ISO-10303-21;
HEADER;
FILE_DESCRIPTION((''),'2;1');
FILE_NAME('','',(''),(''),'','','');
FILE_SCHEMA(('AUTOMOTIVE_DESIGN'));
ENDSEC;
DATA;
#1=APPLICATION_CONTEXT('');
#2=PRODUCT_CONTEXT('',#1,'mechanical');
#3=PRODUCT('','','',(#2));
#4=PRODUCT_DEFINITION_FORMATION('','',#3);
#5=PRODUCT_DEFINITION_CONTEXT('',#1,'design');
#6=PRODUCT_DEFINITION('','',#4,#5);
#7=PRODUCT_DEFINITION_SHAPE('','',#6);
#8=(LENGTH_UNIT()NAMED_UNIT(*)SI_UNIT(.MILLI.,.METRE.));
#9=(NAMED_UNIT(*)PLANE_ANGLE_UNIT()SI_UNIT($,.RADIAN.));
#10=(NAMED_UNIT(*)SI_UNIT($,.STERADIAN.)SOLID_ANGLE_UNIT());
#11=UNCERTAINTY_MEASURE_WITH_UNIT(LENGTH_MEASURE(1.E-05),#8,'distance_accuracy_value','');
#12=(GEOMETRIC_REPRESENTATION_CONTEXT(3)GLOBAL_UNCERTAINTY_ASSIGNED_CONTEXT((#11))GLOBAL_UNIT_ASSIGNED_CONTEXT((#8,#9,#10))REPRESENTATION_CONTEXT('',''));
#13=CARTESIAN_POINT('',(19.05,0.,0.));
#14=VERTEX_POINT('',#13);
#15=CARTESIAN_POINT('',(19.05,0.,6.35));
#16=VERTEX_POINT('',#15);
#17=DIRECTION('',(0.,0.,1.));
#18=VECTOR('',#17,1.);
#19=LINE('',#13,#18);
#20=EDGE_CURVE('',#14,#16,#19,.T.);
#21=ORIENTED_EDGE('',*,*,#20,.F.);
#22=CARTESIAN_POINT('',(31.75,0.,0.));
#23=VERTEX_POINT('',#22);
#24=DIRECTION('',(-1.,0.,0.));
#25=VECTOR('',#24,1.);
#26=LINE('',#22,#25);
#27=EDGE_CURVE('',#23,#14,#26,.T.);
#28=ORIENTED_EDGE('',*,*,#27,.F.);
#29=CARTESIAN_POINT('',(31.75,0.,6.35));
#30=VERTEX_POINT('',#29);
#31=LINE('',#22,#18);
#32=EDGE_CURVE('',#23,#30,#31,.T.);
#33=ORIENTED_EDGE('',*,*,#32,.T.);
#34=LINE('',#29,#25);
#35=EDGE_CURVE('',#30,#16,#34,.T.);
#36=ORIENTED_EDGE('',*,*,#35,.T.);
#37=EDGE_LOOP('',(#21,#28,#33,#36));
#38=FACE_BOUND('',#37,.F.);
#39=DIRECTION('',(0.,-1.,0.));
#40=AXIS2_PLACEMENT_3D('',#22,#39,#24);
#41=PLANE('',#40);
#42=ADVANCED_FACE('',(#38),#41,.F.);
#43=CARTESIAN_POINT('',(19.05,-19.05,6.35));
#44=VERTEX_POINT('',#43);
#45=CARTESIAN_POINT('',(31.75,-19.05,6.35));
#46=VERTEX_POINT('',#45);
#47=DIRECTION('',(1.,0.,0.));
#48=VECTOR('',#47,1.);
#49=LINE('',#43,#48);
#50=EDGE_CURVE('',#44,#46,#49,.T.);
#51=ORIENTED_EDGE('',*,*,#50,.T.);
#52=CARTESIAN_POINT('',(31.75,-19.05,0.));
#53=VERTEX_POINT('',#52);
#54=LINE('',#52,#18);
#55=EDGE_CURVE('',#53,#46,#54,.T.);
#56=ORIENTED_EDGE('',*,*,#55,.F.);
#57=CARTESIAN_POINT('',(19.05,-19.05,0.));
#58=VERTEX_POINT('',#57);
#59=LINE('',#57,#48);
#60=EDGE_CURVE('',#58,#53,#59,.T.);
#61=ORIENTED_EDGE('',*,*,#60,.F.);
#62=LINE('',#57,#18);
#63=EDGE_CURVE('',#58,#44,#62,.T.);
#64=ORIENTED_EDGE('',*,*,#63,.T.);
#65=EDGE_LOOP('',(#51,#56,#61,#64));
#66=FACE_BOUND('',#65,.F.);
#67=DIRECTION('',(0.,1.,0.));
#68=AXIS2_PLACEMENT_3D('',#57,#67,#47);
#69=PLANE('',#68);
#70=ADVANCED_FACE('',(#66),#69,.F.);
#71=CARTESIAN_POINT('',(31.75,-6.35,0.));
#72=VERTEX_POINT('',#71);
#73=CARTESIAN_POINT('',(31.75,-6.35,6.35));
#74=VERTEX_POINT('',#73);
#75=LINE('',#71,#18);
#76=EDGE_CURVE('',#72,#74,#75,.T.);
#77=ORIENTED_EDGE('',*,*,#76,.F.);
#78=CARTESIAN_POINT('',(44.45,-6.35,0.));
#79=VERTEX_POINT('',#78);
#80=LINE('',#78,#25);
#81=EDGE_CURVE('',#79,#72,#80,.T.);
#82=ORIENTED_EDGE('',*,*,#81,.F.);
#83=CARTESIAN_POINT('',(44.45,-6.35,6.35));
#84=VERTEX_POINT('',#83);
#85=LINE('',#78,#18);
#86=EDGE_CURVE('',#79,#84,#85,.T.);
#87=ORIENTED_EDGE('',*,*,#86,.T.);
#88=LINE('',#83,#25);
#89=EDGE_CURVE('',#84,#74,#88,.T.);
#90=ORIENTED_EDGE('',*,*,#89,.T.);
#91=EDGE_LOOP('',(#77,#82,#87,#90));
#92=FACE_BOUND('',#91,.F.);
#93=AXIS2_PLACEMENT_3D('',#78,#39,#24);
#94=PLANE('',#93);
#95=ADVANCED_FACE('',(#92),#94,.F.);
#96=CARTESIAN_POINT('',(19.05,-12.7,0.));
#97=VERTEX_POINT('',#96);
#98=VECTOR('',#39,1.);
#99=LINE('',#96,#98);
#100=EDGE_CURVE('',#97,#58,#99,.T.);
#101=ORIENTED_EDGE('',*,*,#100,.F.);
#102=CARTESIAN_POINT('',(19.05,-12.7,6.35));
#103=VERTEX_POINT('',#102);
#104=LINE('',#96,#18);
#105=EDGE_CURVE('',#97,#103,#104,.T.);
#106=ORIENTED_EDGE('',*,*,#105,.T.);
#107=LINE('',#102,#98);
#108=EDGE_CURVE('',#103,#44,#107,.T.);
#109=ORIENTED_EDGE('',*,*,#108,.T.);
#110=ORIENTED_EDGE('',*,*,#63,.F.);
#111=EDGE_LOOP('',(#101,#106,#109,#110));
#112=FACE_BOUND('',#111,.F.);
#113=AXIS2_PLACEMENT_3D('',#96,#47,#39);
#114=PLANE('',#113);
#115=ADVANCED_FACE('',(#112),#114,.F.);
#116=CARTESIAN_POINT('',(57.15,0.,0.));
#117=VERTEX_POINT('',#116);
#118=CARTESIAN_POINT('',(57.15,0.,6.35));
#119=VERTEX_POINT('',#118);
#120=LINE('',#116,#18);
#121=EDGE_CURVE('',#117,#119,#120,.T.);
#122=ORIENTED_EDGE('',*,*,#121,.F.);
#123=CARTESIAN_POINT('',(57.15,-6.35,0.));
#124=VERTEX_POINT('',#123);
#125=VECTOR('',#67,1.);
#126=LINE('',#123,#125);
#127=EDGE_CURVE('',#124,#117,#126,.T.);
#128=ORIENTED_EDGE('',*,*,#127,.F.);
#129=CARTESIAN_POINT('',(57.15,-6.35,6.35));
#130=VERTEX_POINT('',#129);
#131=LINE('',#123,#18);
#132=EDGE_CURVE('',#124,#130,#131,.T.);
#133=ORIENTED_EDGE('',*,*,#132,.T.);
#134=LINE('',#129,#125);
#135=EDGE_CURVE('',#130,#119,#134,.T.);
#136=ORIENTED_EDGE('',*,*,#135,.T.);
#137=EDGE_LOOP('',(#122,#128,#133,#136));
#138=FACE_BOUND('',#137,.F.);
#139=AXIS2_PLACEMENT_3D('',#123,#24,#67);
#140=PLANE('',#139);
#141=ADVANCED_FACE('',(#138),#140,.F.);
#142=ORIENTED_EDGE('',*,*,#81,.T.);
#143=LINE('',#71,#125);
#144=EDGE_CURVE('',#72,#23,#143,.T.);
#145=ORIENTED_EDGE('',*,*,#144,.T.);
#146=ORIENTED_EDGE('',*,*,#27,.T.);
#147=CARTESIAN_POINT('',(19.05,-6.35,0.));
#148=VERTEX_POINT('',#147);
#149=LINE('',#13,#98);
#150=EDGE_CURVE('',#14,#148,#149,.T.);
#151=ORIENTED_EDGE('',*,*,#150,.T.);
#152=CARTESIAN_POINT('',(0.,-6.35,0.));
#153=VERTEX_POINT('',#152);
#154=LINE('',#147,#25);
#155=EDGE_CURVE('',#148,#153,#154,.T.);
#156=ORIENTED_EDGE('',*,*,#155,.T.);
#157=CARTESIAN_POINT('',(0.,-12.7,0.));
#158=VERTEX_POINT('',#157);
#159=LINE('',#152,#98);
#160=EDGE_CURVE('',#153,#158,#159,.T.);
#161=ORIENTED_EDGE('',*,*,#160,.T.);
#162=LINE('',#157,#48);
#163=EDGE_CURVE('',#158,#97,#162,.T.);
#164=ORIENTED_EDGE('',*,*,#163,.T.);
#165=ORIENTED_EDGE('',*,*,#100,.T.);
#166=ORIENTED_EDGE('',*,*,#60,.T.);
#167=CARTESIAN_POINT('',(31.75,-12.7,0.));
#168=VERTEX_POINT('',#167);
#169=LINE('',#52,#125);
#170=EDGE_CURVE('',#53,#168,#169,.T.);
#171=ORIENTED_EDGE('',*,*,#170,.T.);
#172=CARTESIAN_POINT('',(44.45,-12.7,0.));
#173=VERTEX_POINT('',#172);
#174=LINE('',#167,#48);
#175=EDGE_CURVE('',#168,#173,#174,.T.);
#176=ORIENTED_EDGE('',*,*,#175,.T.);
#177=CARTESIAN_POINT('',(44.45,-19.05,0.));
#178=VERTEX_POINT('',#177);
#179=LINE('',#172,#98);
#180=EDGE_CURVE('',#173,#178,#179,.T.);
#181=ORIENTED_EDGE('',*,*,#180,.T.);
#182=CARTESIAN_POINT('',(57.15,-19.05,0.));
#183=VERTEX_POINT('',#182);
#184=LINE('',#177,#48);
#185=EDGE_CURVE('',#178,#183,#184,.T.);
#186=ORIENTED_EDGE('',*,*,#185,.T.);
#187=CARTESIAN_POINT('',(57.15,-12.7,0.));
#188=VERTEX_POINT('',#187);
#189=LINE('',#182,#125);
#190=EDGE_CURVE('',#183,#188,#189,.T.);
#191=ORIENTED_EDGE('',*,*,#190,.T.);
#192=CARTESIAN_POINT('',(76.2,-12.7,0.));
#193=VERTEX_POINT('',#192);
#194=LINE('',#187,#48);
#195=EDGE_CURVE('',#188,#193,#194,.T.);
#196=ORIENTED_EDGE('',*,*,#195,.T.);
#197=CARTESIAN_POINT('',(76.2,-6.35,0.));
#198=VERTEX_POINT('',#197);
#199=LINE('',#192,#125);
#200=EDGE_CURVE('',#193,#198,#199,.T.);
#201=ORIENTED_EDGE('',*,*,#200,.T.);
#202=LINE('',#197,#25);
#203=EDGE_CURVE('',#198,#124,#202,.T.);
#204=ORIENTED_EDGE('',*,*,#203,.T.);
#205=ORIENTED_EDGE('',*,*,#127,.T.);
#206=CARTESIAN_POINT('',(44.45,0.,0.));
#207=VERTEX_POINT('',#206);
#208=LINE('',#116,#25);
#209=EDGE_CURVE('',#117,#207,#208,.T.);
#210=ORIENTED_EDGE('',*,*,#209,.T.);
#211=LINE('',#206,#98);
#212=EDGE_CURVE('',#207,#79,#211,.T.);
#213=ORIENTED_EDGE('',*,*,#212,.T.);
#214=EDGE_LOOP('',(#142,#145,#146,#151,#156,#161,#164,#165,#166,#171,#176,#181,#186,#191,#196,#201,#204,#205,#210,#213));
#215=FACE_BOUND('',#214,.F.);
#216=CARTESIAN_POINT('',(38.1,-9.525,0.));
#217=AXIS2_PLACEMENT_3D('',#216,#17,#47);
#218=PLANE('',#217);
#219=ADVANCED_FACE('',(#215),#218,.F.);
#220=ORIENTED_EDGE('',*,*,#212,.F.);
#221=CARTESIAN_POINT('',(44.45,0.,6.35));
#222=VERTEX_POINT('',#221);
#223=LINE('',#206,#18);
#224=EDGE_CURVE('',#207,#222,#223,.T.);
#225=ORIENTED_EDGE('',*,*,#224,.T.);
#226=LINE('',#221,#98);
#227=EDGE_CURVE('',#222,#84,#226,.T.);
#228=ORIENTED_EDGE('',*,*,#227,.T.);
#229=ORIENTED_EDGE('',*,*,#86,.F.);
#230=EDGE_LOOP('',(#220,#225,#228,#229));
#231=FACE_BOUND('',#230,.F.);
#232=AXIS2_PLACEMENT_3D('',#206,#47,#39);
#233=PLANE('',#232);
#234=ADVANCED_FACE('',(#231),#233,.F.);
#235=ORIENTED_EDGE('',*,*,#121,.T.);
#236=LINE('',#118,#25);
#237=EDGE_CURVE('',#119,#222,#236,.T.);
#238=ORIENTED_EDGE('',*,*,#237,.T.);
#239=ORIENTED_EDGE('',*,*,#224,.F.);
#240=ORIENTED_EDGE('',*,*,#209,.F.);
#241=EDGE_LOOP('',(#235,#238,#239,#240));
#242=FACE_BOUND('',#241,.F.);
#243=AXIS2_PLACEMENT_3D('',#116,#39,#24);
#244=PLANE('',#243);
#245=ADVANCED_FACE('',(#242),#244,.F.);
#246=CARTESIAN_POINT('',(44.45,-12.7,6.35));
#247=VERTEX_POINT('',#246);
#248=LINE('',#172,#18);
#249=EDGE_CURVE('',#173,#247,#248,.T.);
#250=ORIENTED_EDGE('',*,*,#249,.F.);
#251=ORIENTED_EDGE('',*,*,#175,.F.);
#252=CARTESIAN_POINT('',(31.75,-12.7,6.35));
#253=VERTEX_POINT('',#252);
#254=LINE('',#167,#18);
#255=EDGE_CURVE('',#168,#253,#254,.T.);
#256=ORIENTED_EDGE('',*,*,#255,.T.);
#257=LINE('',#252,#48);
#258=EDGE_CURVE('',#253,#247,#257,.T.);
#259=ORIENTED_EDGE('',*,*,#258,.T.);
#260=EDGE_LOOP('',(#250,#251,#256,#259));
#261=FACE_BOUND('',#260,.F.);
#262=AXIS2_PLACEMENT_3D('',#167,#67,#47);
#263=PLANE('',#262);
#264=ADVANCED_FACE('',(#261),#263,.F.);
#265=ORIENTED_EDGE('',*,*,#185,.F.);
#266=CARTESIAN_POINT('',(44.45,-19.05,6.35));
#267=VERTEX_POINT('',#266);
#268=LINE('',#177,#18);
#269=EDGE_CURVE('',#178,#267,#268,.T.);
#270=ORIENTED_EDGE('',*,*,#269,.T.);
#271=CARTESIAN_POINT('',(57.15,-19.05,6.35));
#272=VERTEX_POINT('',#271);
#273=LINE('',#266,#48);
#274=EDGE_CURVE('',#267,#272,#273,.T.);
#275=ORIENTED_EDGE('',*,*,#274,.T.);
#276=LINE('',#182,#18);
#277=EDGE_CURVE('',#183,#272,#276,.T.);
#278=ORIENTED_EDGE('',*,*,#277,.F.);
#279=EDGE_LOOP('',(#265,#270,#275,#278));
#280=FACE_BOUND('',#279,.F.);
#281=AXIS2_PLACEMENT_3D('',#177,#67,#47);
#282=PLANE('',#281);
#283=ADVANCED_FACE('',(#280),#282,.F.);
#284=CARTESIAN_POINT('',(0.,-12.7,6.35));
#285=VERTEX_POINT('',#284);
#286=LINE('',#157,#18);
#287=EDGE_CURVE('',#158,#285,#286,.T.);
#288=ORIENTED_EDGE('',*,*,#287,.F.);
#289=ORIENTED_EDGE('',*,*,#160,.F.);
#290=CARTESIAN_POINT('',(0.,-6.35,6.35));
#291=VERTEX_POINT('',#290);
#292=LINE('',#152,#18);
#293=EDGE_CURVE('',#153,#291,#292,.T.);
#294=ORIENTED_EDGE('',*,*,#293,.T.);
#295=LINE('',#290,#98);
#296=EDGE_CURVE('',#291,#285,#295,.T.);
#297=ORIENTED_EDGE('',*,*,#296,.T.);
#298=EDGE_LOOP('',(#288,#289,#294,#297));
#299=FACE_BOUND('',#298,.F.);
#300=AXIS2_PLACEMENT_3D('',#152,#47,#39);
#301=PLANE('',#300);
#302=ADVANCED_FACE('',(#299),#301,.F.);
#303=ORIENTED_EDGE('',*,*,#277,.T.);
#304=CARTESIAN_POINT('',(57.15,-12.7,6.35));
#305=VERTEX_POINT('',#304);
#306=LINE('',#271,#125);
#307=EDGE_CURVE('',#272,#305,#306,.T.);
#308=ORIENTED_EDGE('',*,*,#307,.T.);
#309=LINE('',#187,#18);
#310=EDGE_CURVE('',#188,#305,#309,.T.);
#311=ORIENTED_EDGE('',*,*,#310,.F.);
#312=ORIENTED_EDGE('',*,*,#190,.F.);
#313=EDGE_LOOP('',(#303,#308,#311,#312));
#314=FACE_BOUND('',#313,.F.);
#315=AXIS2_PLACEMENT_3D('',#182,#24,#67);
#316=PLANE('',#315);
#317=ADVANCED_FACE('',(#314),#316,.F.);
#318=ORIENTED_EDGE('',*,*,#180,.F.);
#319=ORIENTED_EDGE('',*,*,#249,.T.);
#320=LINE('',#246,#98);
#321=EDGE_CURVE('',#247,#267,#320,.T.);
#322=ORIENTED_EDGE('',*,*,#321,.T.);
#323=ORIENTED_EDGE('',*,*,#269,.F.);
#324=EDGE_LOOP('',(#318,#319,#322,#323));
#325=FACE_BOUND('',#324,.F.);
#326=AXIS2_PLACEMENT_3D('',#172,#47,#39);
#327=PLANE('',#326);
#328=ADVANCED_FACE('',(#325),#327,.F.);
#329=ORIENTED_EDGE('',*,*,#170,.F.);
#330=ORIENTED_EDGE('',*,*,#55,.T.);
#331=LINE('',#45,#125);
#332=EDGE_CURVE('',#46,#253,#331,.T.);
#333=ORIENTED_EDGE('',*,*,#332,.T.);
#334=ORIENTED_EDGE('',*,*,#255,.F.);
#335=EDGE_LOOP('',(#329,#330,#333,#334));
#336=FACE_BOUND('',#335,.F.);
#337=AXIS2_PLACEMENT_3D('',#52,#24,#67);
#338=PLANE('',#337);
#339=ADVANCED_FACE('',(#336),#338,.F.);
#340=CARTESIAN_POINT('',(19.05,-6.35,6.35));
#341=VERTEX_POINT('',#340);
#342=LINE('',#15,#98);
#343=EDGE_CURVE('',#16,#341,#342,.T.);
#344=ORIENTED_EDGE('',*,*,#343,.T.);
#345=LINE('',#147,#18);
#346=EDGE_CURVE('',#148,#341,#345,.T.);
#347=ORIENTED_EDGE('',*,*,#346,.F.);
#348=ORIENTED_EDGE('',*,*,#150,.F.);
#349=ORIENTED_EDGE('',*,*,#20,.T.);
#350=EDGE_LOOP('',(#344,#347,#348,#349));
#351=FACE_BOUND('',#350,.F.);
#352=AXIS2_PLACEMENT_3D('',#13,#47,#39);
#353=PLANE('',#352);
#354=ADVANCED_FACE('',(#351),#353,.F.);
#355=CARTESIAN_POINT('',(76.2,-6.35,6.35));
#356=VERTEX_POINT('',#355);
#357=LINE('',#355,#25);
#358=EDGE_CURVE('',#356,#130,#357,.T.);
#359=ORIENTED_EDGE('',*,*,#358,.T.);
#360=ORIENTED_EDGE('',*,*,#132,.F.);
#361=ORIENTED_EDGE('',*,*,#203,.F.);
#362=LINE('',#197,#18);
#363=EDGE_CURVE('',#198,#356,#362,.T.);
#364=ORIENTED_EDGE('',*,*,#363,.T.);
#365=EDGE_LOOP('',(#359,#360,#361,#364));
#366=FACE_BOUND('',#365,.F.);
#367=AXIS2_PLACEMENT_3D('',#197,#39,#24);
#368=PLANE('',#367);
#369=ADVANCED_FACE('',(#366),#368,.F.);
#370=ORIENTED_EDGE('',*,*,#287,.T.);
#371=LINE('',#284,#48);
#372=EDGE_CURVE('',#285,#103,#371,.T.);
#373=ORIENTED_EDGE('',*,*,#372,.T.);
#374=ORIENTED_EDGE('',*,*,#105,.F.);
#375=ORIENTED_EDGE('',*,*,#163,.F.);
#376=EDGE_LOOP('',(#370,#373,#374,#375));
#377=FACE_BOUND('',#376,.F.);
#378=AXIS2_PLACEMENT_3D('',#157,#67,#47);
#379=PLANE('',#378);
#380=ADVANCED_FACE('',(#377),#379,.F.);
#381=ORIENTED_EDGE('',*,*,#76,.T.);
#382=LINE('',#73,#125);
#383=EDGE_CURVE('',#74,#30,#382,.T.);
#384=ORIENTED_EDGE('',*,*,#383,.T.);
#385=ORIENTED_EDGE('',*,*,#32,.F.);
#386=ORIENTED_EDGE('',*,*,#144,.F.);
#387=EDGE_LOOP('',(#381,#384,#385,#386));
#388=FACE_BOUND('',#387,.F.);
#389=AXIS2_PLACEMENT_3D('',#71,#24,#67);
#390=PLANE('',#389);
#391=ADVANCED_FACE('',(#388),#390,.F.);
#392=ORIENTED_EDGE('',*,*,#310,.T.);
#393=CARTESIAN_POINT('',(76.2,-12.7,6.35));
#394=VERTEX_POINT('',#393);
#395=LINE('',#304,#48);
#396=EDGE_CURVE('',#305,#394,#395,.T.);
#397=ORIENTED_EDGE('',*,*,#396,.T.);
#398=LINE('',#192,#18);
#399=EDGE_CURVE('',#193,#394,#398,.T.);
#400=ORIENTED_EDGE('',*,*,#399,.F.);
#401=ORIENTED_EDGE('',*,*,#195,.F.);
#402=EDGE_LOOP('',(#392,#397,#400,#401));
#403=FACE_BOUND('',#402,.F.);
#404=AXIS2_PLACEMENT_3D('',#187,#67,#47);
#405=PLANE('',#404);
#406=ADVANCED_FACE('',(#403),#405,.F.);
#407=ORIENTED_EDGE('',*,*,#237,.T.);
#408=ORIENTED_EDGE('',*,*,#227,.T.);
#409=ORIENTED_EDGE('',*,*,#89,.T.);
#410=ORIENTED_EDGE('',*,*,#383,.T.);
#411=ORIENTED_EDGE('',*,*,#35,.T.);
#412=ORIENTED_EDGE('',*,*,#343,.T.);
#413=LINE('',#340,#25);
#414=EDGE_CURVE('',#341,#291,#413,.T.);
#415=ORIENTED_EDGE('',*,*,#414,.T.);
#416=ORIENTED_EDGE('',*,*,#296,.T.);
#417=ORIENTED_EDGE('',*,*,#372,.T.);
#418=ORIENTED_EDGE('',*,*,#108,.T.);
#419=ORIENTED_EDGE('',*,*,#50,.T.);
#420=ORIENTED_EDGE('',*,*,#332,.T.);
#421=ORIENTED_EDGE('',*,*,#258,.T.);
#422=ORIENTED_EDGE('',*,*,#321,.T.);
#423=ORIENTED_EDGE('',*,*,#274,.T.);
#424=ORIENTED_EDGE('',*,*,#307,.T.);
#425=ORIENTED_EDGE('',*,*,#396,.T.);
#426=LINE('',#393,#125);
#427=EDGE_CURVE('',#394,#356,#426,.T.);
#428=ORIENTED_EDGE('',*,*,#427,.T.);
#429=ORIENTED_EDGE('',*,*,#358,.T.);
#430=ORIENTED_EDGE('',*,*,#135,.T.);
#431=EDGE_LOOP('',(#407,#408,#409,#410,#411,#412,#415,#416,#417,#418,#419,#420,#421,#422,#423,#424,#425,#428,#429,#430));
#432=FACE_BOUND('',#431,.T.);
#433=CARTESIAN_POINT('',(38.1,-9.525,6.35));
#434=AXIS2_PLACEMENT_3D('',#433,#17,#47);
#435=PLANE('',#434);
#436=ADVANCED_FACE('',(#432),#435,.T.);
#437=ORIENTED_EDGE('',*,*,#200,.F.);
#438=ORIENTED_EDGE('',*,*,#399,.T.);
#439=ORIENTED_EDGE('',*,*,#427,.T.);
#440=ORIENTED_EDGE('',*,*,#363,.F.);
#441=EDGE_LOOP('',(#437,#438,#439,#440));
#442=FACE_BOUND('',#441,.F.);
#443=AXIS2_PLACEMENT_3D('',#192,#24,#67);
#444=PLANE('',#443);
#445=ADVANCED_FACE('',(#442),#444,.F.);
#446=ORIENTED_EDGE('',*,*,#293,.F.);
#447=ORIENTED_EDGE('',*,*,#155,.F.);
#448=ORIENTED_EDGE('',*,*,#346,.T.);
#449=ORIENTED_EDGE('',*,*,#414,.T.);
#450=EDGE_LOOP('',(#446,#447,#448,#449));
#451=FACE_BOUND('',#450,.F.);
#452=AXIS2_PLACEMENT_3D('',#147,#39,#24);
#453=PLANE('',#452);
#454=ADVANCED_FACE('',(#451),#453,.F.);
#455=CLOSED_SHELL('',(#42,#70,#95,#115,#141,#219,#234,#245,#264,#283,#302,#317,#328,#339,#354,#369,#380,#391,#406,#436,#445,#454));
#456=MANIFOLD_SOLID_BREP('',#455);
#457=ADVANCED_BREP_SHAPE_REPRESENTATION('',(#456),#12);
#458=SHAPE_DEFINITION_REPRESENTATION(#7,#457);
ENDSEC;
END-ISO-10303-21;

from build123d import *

# Parameters (mm, degrees)
F1_DEPTH = 6.35


with BuildPart() as f1:
    # F0 (on Top) → F1 (new body)
    with BuildSketch(Plane.XY):
        Polygon((31.75, 0), (19.05, 0), (19.05, -6.35), (0, -6.35), (0, -12.7), (19.05, -12.7), (19.05, -19.05), (31.75, -19.05), (31.75, -12.7), (44.45, -12.7), (44.45, -19.05), (57.15, -19.05), (57.15, -12.7), (76.2, -12.7), (76.2, -6.35), (57.15, -6.35), (57.15, 0), (44.45, 0), (44.45, -6.35), (31.75, -6.35), align=None)
    extrude(amount=F1_DEPTH)


solid = f1.part
